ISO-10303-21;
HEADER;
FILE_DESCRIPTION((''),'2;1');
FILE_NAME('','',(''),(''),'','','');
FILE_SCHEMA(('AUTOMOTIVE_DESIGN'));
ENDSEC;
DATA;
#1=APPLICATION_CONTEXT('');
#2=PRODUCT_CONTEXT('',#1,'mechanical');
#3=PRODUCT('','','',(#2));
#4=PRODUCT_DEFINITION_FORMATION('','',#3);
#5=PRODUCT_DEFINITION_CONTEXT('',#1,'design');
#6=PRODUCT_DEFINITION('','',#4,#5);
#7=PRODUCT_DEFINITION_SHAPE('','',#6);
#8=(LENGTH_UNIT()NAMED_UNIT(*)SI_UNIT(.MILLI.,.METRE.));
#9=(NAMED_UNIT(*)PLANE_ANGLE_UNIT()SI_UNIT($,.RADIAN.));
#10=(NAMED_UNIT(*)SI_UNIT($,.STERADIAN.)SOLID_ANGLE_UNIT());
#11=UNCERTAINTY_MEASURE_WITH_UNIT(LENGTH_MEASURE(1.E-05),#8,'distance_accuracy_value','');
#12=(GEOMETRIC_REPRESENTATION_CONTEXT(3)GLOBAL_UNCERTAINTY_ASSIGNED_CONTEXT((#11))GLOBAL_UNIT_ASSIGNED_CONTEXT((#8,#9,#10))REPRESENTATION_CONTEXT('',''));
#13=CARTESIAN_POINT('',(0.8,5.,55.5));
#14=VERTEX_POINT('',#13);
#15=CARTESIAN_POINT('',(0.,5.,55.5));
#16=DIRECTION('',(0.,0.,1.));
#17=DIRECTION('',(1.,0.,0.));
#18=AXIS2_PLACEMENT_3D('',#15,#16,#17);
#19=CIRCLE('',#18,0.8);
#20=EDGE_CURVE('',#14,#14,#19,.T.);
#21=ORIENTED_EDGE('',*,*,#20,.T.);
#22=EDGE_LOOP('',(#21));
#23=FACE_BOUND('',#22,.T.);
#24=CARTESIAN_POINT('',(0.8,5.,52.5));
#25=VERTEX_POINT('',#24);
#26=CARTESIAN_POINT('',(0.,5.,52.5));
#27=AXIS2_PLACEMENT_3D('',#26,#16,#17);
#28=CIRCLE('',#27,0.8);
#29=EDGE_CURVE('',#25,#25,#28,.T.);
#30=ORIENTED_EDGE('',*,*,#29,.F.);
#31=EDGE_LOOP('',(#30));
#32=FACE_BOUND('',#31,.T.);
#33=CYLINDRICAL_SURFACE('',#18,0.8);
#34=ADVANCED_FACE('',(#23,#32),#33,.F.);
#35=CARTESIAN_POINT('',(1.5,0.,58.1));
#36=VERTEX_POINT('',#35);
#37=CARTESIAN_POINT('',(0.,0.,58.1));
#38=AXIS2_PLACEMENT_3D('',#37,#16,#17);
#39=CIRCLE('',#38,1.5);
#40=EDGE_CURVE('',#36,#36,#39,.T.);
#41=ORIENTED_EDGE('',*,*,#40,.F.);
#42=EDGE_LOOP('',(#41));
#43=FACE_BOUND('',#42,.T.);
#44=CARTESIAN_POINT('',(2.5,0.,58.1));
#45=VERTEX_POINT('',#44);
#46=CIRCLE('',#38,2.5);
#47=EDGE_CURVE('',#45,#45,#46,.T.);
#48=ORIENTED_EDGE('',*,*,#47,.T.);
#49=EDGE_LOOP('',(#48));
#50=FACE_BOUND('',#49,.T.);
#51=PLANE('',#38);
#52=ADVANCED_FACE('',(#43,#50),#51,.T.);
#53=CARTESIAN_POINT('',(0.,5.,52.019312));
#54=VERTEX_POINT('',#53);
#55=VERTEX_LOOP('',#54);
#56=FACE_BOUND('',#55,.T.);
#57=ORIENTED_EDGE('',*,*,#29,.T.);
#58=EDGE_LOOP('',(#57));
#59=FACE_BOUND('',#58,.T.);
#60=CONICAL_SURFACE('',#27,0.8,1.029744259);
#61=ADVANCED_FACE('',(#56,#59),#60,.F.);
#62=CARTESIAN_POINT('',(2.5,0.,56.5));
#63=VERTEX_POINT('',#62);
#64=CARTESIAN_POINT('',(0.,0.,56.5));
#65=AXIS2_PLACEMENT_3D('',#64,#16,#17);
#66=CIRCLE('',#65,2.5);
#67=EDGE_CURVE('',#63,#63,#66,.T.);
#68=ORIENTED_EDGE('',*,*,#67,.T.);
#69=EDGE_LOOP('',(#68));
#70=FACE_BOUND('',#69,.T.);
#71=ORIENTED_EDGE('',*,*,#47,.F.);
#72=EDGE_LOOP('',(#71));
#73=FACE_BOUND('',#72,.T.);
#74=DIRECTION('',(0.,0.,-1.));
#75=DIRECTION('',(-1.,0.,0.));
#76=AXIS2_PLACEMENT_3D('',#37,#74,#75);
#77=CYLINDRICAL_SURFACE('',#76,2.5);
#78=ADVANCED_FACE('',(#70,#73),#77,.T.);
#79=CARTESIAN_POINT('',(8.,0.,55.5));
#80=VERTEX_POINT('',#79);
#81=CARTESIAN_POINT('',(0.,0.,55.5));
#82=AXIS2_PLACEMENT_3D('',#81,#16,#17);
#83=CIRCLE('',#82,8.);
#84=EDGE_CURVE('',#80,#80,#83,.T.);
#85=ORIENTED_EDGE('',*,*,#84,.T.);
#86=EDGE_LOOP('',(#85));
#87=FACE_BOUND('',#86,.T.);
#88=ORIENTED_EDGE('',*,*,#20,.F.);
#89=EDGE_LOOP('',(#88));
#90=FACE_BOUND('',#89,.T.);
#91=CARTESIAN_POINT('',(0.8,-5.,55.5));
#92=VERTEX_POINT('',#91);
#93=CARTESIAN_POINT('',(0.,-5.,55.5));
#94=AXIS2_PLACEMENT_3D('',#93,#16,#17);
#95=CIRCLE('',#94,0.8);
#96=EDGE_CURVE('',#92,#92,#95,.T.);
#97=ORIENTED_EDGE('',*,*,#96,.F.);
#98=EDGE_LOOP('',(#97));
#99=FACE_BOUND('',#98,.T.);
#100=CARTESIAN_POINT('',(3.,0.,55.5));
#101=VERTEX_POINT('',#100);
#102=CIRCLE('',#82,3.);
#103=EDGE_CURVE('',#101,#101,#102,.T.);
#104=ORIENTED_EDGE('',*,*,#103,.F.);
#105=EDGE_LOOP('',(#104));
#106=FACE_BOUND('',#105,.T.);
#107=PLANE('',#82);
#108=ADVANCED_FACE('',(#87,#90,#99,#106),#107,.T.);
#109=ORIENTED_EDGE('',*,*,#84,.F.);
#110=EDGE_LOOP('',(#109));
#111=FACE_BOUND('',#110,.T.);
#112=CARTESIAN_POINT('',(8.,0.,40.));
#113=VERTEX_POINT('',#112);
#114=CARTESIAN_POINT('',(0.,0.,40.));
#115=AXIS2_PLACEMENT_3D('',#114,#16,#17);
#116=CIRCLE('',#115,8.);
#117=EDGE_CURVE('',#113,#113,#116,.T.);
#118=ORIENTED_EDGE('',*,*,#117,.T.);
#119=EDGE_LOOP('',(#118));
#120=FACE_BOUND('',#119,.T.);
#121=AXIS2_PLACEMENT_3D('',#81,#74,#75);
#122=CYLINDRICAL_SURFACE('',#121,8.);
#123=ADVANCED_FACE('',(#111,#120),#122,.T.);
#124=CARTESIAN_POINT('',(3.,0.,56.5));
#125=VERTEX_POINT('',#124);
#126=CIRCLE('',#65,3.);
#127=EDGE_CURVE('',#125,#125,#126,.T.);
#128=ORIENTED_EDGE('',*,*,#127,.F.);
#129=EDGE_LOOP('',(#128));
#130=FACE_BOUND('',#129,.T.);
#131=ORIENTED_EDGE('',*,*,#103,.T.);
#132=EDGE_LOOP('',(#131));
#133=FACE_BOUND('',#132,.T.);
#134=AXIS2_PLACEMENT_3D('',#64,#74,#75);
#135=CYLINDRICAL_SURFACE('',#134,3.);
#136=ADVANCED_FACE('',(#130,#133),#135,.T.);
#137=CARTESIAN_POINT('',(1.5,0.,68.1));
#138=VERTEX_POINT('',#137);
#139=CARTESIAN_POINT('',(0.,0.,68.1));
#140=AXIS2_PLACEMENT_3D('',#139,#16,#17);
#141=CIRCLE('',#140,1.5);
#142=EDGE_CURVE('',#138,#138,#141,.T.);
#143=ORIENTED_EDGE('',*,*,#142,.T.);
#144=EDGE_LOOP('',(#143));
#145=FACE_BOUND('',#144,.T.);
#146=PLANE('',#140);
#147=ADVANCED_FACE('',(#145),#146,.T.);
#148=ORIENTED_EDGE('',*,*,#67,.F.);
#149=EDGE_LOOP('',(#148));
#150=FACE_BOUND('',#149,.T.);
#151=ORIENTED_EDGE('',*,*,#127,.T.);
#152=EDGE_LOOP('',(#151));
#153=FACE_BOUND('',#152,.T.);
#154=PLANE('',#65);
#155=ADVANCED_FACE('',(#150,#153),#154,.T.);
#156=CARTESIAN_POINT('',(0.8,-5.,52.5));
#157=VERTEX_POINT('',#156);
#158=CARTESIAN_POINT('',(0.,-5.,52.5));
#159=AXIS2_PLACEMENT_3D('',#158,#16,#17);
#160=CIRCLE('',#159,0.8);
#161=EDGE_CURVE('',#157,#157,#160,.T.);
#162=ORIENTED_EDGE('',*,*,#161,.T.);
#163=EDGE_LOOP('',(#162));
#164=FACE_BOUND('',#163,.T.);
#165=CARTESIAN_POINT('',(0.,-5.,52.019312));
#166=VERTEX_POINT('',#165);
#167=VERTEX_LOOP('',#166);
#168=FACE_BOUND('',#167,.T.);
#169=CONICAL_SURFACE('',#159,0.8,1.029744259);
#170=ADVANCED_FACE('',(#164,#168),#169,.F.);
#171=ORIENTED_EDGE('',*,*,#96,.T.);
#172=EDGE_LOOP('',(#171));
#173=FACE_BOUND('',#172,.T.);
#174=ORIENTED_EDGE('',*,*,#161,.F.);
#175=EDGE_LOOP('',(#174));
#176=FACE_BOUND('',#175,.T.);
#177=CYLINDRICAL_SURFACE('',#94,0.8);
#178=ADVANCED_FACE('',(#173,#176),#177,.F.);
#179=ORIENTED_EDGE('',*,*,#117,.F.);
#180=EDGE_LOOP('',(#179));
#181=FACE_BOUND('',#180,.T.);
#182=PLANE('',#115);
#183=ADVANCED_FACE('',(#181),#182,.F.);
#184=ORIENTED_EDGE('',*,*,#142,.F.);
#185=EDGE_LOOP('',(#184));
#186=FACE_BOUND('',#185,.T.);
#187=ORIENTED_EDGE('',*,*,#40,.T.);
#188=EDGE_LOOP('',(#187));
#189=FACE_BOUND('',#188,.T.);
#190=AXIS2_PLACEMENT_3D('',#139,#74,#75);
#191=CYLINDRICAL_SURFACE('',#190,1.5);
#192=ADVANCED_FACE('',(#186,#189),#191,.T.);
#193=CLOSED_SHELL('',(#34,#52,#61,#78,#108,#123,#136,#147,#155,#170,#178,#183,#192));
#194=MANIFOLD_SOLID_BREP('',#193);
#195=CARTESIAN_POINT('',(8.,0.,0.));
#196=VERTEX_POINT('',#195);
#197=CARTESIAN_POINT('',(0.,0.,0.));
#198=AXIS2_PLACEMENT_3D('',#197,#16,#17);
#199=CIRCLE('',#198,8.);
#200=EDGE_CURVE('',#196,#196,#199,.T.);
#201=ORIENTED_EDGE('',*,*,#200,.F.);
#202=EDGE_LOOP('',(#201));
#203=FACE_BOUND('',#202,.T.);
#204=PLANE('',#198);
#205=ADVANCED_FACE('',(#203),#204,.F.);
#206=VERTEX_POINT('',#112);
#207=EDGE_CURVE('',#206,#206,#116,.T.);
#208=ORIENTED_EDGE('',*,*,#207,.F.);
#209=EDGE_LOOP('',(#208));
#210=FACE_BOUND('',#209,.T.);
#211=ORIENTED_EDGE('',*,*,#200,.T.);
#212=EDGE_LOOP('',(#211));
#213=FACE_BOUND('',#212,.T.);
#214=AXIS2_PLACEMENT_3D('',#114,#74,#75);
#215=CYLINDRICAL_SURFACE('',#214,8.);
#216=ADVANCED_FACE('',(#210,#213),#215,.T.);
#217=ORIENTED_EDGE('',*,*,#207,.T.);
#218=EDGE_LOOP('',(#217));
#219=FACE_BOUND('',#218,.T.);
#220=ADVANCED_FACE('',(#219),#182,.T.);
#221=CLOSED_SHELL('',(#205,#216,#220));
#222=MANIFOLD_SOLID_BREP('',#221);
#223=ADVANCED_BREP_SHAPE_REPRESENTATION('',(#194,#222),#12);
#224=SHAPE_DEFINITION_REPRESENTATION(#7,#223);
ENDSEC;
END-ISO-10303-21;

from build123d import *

# Parameters (mm, degrees)
SKETCH1_R                  = 8
EXTRUDE1_DEPTH             = 40
SKETCH2_R                  = 8
EXTRUDE2_DEPTH             = 15.5
SKETCH3_R                  = 3
EXTRUDE3_DEPTH             = 1
SKETCH4_R                  = 2.5
EXTRUDE4_DEPTH             = 1.6
SKETCH5_R                  = 1.5
EXTRUDE5_DEPTH             = 10
SKETCH6_R                  = 0.75
EXTRUDE6_DEPTH             = 3
M2_TAPPED_HOLE1_AT_2_COUNT = 2
M2_TAPPED_HOLE1_AT_2_PITCH = 10


with BuildPart() as part:
    # Sketch1 → Extrude1 (new body)
    with BuildSketch(Plane.XY):
        Circle(SKETCH1_R)
    extrude(amount=EXTRUDE1_DEPTH)


with BuildPart() as body_2:
    # Sketch2 → Extrude2 (new body)
    with BuildSketch(Plane.XY.offset(40)):
        Circle(SKETCH2_R)
    extrude(amount=EXTRUDE2_DEPTH)

    # Sketch3 → Extrude3 (add)
    with BuildSketch(Plane.XY.offset(55.5)):
        Circle(SKETCH3_R)
    extrude(amount=EXTRUDE3_DEPTH)

    # Sketch4 → Extrude4 (add)
    with BuildSketch(Plane.XY.offset(56.5)):
        Circle(SKETCH4_R)
    extrude(amount=EXTRUDE4_DEPTH)

    # Sketch5 → Extrude5 (add)
    with BuildSketch(Plane.XY.offset(58.1)):
        Circle(SKETCH5_R)
    extrude(amount=EXTRUDE5_DEPTH)

    # Sketch6 → Extrude6 (cut)
    with BuildSketch(Plane.XY.offset(55.5)):
        with Locations((0, 5)):
            Circle(SKETCH6_R)
        with Locations((0, -5)):
            Circle(SKETCH6_R)
    extrude(amount=-EXTRUDE6_DEPTH, mode=Mode.SUBTRACT)

    # Sketch7 → M2 Tapped Hole1 (revolve, cut)
    with BuildSketch(Plane(origin=(0, 5, 55.5), x_dir=(0, -1, 0), z_dir=(1, 0, 0))):
        Polygon((0, 0), (0, 3.480688495), (0.8, 3), (0.8, 0), align=None)
    m2_tapped_hole1 = revolve(axis=Axis((0, 5, 61.85), (0, 0, -1)), mode=Mode.SUBTRACT)

    # M2 Tapped Hole1 at 2: M2 Tapped Hole1 ×2
    with Locations(*[(0, -i * M2_TAPPED_HOLE1_AT_2_PITCH, 0) for i in range(1, M2_TAPPED_HOLE1_AT_2_COUNT)]):
        add(m2_tapped_hole1, mode=Mode.SUBTRACT)


solid = Compound([part.part, body_2.part])
